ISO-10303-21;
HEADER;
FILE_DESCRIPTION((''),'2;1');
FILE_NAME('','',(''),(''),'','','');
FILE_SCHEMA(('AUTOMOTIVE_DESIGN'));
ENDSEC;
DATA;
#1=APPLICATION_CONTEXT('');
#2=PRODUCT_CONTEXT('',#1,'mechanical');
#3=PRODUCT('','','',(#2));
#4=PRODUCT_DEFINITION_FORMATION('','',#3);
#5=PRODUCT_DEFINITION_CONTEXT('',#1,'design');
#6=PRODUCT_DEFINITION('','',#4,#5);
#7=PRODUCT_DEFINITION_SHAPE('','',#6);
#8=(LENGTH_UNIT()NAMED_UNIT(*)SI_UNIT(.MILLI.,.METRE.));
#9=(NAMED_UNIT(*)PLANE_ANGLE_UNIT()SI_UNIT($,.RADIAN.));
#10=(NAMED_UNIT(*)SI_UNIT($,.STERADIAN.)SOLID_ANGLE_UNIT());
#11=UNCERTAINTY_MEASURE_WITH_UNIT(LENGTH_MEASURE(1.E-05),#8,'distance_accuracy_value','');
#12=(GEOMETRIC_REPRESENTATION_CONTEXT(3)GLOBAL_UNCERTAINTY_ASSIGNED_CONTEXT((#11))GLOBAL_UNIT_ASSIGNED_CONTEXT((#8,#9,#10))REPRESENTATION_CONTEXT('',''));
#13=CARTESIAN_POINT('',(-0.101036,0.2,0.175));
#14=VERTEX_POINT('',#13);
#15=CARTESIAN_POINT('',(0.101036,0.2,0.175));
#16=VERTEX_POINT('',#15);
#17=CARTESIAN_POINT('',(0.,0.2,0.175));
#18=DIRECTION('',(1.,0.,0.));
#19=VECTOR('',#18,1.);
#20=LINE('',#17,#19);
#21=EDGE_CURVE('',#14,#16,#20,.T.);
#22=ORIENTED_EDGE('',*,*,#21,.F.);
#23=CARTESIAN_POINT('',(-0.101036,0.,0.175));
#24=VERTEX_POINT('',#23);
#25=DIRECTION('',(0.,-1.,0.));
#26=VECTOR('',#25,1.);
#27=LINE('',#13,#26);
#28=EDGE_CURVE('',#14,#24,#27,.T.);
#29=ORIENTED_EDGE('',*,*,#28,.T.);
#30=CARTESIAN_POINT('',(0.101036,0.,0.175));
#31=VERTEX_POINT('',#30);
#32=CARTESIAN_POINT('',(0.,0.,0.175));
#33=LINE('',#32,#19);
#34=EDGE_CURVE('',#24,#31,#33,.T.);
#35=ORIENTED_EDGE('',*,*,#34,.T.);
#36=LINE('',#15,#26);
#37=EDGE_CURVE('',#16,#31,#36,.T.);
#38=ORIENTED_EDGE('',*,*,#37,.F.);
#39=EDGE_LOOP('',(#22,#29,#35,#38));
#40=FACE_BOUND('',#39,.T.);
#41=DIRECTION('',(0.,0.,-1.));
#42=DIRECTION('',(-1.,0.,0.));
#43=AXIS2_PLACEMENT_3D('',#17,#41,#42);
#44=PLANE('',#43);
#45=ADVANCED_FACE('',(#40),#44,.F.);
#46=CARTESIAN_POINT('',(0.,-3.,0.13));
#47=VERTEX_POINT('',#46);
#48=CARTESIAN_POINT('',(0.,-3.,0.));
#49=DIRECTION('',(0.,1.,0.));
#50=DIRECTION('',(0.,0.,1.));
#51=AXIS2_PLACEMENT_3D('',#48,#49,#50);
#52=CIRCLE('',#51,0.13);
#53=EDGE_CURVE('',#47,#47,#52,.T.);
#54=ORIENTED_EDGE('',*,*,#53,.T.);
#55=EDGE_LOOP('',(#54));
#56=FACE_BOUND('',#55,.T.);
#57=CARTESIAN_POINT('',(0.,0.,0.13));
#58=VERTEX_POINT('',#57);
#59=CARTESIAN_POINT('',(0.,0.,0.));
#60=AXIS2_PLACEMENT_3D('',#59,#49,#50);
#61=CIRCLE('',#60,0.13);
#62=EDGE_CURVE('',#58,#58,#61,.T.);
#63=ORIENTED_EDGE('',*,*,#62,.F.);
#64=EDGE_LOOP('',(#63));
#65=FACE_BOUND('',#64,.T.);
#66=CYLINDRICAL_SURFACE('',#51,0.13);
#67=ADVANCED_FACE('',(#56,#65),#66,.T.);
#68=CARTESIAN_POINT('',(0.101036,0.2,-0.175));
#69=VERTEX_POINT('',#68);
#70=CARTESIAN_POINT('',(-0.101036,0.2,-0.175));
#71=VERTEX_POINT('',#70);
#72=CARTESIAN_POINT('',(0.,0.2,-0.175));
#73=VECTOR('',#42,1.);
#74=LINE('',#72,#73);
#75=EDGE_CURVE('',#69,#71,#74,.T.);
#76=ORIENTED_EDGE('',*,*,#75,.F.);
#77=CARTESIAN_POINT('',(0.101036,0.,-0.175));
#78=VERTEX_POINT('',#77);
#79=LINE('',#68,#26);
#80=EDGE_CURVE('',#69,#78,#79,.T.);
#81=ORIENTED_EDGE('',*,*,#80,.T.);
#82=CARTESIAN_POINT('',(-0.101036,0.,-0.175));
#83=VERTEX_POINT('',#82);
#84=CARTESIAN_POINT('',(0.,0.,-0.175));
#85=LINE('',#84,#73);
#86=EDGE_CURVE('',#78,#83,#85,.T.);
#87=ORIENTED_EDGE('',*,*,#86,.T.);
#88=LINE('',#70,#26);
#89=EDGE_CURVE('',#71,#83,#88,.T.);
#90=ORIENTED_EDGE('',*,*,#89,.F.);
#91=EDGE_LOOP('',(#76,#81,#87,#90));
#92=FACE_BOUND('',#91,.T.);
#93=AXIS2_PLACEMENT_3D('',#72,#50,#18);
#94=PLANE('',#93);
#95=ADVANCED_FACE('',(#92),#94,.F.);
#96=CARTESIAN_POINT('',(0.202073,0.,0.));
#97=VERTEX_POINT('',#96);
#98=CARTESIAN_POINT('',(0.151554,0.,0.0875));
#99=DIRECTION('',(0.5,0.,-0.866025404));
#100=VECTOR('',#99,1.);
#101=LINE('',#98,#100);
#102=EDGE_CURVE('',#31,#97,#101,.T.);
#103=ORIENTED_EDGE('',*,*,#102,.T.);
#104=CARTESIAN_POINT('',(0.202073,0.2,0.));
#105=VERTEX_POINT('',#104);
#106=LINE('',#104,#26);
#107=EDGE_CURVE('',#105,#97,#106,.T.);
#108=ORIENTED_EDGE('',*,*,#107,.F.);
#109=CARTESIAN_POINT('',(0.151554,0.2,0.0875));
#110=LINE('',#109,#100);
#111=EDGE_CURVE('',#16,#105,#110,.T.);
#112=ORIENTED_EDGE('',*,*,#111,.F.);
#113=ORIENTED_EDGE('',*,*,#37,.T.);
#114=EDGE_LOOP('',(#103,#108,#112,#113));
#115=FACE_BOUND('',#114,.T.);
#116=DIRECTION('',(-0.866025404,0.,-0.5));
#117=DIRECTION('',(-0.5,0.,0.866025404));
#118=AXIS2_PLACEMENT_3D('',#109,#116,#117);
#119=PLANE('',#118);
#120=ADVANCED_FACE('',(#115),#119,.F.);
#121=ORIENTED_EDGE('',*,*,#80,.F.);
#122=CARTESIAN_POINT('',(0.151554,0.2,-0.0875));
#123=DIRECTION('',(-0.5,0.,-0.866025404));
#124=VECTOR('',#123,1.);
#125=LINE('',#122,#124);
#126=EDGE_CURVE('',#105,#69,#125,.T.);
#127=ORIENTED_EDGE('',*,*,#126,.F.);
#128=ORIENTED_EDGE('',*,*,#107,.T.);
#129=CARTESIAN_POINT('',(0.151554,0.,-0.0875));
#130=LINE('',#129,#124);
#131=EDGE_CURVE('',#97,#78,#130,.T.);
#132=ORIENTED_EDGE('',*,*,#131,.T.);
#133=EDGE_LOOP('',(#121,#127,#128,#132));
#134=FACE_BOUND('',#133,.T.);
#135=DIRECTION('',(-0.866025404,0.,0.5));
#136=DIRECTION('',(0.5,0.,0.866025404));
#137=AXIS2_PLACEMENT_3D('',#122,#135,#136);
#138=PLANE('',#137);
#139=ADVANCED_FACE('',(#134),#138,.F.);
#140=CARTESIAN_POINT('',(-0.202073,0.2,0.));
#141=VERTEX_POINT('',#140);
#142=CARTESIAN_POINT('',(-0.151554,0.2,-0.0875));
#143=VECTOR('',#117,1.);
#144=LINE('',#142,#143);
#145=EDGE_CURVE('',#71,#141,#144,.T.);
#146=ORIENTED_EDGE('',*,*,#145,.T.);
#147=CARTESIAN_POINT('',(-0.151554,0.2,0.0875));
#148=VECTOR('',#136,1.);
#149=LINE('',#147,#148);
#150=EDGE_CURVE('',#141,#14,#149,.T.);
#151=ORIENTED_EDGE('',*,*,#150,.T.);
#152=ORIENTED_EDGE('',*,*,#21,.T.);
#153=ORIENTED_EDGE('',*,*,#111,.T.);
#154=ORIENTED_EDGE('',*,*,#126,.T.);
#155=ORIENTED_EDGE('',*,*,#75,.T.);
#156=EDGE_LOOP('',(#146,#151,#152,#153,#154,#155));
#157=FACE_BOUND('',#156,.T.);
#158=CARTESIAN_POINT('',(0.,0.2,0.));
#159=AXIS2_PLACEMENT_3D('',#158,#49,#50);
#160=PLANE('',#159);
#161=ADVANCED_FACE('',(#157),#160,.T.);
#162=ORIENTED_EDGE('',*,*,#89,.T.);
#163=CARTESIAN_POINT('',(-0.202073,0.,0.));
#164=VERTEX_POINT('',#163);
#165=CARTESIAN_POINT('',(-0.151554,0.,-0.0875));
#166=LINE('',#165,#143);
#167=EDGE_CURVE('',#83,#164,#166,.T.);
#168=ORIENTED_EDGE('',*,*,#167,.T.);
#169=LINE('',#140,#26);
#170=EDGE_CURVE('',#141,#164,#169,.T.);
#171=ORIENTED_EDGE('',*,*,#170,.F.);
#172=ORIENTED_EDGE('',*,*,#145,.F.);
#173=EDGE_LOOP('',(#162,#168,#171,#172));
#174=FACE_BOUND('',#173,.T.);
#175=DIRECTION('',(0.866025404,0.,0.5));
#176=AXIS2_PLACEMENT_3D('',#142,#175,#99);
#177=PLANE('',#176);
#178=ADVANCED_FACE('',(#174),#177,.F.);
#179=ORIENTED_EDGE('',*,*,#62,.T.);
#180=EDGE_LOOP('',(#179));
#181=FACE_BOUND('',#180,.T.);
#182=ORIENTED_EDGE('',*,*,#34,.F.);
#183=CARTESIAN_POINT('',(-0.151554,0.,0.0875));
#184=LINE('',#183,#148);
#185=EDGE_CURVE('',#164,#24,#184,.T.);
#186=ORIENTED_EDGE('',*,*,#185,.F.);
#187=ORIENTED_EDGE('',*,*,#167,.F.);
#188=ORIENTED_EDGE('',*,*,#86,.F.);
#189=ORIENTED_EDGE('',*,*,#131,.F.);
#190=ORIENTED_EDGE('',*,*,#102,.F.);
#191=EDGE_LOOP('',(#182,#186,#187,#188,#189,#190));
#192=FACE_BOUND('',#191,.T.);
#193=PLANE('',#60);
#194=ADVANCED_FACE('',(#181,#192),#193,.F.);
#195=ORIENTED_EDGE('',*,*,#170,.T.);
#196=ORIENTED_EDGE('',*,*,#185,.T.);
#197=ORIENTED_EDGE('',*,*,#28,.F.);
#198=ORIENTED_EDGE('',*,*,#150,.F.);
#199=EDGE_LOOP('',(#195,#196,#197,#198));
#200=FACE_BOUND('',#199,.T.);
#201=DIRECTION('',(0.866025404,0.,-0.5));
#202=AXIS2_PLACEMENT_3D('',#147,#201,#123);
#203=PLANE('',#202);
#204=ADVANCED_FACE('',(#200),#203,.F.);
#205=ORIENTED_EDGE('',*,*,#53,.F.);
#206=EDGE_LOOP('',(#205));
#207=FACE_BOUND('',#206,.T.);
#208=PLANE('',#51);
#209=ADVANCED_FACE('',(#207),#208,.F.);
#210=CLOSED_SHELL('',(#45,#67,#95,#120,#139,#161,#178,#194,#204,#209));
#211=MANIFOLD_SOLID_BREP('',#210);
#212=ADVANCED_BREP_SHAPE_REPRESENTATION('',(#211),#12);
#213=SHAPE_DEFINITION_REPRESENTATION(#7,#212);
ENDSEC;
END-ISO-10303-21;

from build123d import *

# Parameters (mm, degrees)
SKETCH1_R           = 0.13
BOSS_EXTRUDE1_DEPTH = 3
BOSS_EXTRUDE2_DEPTH = 0.2


with BuildPart() as part:
    # Sketch1 → Boss-Extrude1 (new body)
    with BuildSketch(Plane(origin=(0, 0, 0), x_dir=(1, 0, 0), z_dir=(0, 1, 0))):
        Circle(SKETCH1_R)
    extrude(amount=-BOSS_EXTRUDE1_DEPTH)

    # Sketch1<3> → Boss-Extrude2 (add)
    with BuildSketch(Plane(origin=(0, 0, 0), x_dir=(1, 0, 0), z_dir=(0, 1, 0))):
        Polygon((-0.101036297, -0.175), (0.101036297, -0.175), (0.202072594, 0), (0.101036297, 0.175), (-0.101036297, 0.175), (-0.202072594, 0), align=None)
    extrude(amount=BOSS_EXTRUDE2_DEPTH)


solid = part.part
